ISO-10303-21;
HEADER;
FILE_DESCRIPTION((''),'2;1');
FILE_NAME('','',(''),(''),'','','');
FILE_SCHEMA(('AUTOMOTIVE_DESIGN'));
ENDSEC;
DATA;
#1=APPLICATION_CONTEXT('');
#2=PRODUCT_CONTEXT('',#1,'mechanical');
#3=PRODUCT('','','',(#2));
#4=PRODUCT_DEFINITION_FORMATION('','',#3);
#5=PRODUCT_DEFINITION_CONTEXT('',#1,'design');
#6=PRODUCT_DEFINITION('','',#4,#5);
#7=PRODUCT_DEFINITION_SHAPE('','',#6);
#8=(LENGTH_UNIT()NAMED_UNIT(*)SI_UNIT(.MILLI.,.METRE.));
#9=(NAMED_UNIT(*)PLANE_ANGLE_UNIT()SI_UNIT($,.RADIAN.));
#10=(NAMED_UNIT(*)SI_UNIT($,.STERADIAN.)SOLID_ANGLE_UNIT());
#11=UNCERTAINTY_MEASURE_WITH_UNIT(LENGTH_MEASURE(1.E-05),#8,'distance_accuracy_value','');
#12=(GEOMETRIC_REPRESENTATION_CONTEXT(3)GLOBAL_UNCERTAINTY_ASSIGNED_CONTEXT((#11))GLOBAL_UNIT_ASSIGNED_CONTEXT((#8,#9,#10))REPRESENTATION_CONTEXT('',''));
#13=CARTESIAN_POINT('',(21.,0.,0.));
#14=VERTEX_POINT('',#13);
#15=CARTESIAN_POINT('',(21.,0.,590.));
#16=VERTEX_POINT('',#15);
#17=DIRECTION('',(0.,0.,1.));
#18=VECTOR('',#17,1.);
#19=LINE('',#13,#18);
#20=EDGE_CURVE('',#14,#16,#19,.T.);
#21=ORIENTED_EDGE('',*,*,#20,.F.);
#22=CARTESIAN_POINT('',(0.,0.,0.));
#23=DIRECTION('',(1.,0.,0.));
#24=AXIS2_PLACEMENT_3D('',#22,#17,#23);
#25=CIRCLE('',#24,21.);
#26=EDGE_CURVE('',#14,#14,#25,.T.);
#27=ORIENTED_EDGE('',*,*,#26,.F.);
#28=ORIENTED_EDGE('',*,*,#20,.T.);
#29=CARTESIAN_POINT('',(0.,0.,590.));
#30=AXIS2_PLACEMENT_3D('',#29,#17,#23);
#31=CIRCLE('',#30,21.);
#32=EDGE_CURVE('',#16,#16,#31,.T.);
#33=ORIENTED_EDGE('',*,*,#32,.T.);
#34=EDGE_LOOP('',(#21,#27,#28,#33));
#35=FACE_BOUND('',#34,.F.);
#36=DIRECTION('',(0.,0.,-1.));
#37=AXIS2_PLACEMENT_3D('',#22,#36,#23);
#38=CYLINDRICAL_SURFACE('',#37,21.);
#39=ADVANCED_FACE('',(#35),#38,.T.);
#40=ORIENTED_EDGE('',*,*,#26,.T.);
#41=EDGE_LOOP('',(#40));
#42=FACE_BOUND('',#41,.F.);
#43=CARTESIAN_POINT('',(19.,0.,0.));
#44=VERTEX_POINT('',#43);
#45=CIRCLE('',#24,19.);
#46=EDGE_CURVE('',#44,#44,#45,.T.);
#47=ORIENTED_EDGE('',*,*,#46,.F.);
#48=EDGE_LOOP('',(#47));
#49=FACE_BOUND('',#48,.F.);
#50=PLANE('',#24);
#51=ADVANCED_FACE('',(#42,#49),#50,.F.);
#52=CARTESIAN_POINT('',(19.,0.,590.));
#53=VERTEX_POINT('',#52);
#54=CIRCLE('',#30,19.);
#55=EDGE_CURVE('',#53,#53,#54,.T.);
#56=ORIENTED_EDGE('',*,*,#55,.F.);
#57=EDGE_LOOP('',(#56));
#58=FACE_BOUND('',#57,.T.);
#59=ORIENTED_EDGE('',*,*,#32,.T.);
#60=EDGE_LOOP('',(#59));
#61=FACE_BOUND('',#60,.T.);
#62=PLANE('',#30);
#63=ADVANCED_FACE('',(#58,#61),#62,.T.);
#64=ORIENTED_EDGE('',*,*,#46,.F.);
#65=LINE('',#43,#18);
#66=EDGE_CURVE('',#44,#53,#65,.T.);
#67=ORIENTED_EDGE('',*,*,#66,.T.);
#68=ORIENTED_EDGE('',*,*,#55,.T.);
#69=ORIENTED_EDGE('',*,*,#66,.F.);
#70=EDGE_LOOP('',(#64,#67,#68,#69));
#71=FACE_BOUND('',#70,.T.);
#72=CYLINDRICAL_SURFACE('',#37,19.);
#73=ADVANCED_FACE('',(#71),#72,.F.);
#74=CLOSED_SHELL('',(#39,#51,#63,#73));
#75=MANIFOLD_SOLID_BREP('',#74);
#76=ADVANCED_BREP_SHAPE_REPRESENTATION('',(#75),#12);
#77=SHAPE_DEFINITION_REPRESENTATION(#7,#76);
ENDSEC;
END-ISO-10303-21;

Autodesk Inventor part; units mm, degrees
ref_plane "YZ Plane" through (0, 0, 0) normal (1, 0, 0) x (0, 1, 0)
ref_plane "XZ Plane" through (0, 0, 0) normal (0, 1, 0) x (-1, 0, 0)
ref_plane "XY Plane" through (0, 0, 0) normal (0, 0, 1) x (1, 0, 0)
sketch "Sketch1" plane through (0, 0, 0) normal (0, 0, 1) x (1, 0, 0)
  circle A0 centre (0, 0) radius 21
  circle A1 centre (0, 0) radius 19
  dimension "d0" = 42
  dimension "d1" = 2
extrude "Extrusion1" add sketch "Sketch1" along normal blind 590
properties part number "ДМФ 081 труба форсунки"
